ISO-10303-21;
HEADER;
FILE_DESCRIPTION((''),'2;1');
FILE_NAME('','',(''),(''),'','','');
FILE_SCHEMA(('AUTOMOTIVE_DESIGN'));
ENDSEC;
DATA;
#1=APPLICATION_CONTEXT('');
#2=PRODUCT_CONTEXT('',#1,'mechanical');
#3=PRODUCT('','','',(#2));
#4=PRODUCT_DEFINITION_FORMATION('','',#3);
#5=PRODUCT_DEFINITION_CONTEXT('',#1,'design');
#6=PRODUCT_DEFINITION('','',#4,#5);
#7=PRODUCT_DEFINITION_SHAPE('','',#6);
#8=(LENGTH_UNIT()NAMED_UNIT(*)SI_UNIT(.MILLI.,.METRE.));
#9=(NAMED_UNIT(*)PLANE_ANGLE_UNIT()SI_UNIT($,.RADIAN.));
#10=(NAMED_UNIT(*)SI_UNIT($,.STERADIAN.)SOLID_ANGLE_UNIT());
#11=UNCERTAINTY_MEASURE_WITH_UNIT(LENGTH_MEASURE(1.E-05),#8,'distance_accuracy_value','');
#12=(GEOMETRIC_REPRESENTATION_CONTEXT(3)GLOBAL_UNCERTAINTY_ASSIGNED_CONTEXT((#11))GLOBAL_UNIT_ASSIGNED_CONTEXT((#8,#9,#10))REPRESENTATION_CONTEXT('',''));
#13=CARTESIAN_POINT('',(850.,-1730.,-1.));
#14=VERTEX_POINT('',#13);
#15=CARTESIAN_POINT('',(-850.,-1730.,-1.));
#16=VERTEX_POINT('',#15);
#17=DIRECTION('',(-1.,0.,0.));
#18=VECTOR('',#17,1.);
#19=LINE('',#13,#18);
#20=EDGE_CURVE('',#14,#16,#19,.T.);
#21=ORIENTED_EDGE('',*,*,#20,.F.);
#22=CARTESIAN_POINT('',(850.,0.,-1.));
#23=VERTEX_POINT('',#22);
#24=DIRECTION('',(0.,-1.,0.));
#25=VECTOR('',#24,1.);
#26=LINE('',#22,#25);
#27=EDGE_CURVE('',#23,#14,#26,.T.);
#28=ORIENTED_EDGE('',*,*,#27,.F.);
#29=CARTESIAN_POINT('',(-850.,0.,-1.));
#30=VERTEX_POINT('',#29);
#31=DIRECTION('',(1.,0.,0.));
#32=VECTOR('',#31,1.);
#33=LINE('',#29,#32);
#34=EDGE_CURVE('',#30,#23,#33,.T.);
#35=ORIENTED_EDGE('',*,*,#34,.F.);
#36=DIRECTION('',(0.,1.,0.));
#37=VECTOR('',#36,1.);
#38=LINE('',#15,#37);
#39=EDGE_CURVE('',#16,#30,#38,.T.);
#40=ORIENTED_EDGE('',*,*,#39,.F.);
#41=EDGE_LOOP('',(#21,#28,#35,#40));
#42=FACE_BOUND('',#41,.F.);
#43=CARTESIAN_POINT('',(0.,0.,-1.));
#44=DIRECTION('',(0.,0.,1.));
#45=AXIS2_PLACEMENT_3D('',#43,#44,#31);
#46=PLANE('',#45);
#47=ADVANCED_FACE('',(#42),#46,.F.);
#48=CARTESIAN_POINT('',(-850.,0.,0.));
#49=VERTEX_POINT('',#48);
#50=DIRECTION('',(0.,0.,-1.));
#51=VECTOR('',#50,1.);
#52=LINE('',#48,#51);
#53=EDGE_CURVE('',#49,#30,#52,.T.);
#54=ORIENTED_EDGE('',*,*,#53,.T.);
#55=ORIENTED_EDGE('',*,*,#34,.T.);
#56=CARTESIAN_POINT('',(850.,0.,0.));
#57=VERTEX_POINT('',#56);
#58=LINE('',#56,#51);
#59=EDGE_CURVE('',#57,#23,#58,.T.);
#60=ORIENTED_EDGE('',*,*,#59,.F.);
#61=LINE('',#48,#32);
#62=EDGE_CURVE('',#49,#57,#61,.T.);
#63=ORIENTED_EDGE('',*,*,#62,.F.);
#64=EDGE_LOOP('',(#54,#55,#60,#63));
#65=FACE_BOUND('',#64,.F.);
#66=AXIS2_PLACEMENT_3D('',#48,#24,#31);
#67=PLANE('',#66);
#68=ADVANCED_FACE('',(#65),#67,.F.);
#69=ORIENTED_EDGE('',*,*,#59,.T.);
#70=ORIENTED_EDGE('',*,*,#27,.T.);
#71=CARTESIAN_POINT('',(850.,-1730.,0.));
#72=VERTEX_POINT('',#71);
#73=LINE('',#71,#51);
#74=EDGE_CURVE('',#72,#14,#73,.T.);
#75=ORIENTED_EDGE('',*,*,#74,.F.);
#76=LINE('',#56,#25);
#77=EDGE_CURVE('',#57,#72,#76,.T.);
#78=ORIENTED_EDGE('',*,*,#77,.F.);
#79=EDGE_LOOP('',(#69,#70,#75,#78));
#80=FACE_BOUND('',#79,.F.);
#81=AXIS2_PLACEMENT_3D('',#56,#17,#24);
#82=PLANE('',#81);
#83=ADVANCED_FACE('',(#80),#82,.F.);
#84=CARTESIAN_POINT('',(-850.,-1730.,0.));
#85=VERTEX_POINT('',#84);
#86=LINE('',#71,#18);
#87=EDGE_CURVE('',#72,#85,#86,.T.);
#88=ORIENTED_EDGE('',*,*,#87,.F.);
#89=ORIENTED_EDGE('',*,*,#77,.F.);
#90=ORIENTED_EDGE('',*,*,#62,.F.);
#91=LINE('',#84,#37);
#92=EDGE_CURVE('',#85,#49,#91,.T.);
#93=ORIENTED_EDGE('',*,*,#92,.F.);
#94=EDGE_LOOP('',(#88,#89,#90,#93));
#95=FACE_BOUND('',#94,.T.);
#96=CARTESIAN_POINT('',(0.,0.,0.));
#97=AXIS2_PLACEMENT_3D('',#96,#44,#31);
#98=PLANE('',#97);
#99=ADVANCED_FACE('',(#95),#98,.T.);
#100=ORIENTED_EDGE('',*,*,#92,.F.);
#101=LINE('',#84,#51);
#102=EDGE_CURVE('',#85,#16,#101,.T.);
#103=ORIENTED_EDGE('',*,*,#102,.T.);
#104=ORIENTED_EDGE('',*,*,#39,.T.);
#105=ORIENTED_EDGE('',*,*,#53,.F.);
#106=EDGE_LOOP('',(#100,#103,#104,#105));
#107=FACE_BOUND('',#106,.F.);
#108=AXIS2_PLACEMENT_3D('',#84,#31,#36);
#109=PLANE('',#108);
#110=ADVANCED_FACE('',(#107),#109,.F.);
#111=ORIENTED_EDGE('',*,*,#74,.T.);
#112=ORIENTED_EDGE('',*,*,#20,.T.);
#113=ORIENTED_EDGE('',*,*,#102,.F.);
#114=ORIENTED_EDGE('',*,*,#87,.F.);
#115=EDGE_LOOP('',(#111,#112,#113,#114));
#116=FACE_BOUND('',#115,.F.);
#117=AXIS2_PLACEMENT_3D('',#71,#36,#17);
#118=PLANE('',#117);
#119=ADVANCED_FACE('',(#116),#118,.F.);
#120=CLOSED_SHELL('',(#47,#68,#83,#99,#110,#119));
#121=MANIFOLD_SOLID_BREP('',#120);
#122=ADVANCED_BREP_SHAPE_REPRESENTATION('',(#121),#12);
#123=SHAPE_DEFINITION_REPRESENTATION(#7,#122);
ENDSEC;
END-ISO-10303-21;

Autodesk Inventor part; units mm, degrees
ref_plane "YZ Plane" through (0, 0, 0) normal (1, 0, 0) x (0, 1, 0)
ref_plane "XZ Plane" through (0, 0, 0) normal (0, 1, 0) x (-1, 0, 0)
ref_plane "XY Plane" through (0, 0, 0) normal (0, 0, 1) x (1, 0, 0)
sketch "Sketch1" plane through (0, 0, 0) normal (0, 0, 1) x (1, 0, 0)
  line L0 (850, -1730) -> (-850, -1730)
  line L1 (-850, -1730) -> (-850, 0)
  line L2 (-850, 0) -> (850, 0)
  line L3 (850, 0) -> (850, -1730)
  line L4 (850, -1730) -> (-850, 0) construction
  line L5 (-850, -1730) -> (850, 0) construction
  point P0 (0, 0)
  point P1 (0, -865)
  point P2 (0, 0)
  dimension "d0" = 1700
  dimension "d1" = 1730
extrude "Extrusion1" add sketch "Sketch1" against normal blind 1
sketch3d "3D Sketch1"
properties part number "МОО DIM 040 рама основания"
